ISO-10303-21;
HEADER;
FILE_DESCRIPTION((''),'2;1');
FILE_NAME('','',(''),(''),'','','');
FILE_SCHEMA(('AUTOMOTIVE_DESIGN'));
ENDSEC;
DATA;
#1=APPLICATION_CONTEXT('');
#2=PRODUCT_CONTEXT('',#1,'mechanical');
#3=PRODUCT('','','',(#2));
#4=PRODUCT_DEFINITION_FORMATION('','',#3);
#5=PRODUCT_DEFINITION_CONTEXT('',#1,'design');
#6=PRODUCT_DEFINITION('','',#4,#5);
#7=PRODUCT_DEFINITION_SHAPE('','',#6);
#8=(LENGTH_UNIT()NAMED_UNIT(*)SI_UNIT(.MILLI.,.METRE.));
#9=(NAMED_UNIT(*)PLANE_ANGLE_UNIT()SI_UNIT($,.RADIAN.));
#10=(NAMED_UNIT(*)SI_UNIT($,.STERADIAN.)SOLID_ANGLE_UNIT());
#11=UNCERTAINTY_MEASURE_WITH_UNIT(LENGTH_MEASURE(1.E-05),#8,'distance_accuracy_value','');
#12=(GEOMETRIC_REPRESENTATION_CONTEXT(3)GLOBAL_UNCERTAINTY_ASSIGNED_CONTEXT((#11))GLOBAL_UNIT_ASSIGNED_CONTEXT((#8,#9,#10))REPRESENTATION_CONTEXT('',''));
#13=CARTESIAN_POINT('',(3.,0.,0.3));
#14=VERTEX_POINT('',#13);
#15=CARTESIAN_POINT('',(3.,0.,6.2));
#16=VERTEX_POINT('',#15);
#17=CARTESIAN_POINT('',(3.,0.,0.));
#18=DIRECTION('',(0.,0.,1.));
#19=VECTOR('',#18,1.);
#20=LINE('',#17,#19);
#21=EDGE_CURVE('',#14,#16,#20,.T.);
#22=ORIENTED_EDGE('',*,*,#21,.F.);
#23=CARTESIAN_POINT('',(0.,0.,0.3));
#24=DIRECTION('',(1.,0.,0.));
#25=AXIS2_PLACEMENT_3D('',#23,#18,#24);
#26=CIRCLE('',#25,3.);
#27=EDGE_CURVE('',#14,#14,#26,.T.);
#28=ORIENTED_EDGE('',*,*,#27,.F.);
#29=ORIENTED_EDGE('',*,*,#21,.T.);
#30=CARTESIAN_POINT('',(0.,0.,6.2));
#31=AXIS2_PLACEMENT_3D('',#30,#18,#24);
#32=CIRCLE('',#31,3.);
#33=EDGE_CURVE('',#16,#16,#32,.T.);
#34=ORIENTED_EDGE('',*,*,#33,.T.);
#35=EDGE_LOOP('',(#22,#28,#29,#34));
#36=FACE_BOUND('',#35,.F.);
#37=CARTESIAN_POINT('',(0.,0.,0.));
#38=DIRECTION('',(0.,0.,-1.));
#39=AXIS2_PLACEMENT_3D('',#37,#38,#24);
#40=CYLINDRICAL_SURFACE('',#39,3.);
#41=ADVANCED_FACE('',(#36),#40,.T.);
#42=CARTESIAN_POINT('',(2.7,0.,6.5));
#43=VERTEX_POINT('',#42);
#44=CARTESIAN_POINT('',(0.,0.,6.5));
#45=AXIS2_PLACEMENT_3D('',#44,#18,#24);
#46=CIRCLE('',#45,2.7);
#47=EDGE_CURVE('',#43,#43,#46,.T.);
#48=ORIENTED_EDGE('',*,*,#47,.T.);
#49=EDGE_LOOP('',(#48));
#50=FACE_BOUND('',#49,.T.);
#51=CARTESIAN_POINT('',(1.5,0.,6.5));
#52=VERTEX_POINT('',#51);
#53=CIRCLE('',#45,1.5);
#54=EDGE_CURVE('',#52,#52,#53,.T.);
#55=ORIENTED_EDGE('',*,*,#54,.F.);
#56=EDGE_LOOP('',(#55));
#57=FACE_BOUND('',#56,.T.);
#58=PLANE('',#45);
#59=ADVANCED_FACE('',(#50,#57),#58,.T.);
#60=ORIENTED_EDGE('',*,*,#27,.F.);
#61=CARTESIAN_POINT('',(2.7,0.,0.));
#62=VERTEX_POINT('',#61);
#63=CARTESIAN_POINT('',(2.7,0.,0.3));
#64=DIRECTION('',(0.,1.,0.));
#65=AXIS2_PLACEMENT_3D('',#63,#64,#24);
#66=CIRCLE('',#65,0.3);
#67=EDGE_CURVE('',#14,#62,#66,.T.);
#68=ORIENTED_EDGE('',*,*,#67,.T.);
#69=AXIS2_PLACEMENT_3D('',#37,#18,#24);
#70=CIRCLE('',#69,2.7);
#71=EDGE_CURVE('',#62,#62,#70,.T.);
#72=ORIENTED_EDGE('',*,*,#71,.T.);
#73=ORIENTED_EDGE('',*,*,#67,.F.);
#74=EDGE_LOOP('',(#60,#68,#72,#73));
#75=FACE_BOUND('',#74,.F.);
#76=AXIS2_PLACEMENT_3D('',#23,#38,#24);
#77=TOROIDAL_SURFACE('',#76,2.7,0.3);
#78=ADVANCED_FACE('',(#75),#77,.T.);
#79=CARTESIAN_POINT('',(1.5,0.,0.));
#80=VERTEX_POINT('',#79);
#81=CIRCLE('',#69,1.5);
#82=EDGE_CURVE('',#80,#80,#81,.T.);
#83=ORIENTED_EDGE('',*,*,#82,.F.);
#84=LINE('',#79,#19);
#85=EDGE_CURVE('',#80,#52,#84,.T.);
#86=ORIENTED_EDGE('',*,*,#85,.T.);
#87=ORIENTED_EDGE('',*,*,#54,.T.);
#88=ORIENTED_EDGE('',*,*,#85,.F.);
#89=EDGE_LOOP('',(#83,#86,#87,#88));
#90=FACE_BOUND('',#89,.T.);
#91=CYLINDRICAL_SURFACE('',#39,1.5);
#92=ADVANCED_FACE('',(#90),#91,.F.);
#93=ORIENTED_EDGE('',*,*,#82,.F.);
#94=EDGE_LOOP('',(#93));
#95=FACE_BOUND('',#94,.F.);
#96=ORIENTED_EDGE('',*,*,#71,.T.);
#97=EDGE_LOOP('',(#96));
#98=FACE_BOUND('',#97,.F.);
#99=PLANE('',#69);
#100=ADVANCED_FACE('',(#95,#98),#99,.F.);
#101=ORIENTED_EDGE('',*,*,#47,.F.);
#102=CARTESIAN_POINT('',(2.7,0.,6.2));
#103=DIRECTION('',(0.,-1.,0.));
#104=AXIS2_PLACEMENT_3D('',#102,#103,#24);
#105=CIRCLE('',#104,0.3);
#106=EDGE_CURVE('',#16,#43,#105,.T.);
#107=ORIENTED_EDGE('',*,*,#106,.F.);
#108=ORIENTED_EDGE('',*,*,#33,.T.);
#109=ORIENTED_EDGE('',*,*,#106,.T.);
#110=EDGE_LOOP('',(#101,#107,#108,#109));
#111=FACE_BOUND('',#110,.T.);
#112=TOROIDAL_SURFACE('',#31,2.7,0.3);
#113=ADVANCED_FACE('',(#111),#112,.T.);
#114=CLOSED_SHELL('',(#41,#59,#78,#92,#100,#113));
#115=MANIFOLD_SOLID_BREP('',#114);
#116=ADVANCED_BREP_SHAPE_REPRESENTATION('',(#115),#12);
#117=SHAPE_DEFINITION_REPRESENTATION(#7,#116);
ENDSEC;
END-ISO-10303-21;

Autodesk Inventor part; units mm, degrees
ref_plane "YZ Plane" through (0, 0, 0) normal (1, 0, 0) x (0, 1, 0)
ref_plane "XZ Plane" through (0, 0, 0) normal (0, 1, 0) x (-1, 0, 0)
ref_plane "XY Plane" through (0, 0, 0) normal (0, 0, 1) x (1, 0, 0)
sketch "スケッチ1" plane through (0, 0, 0) normal (0, 0, 1) x (1, 0, 0)
  circle A0 centre (0, 0) radius 1.5
  circle A1 centre (0, 0) radius 3
  dimension "d0" = 3
  dimension "d1" = 6
extrude "押し出し1" add sketch "スケッチ1" along normal blind 6.5
fillet "フィレット1" radius 0.3 2 edges at (-3, 0, 6.5) (-3, 0, 0)
thread "ねじ1" size "M3x0.5" class "6H" standard "ANSI Metric M Profile" length 100
properties part number "スペーサーM3L6.5黄銅" material "アルミニウム 2014-T4"
